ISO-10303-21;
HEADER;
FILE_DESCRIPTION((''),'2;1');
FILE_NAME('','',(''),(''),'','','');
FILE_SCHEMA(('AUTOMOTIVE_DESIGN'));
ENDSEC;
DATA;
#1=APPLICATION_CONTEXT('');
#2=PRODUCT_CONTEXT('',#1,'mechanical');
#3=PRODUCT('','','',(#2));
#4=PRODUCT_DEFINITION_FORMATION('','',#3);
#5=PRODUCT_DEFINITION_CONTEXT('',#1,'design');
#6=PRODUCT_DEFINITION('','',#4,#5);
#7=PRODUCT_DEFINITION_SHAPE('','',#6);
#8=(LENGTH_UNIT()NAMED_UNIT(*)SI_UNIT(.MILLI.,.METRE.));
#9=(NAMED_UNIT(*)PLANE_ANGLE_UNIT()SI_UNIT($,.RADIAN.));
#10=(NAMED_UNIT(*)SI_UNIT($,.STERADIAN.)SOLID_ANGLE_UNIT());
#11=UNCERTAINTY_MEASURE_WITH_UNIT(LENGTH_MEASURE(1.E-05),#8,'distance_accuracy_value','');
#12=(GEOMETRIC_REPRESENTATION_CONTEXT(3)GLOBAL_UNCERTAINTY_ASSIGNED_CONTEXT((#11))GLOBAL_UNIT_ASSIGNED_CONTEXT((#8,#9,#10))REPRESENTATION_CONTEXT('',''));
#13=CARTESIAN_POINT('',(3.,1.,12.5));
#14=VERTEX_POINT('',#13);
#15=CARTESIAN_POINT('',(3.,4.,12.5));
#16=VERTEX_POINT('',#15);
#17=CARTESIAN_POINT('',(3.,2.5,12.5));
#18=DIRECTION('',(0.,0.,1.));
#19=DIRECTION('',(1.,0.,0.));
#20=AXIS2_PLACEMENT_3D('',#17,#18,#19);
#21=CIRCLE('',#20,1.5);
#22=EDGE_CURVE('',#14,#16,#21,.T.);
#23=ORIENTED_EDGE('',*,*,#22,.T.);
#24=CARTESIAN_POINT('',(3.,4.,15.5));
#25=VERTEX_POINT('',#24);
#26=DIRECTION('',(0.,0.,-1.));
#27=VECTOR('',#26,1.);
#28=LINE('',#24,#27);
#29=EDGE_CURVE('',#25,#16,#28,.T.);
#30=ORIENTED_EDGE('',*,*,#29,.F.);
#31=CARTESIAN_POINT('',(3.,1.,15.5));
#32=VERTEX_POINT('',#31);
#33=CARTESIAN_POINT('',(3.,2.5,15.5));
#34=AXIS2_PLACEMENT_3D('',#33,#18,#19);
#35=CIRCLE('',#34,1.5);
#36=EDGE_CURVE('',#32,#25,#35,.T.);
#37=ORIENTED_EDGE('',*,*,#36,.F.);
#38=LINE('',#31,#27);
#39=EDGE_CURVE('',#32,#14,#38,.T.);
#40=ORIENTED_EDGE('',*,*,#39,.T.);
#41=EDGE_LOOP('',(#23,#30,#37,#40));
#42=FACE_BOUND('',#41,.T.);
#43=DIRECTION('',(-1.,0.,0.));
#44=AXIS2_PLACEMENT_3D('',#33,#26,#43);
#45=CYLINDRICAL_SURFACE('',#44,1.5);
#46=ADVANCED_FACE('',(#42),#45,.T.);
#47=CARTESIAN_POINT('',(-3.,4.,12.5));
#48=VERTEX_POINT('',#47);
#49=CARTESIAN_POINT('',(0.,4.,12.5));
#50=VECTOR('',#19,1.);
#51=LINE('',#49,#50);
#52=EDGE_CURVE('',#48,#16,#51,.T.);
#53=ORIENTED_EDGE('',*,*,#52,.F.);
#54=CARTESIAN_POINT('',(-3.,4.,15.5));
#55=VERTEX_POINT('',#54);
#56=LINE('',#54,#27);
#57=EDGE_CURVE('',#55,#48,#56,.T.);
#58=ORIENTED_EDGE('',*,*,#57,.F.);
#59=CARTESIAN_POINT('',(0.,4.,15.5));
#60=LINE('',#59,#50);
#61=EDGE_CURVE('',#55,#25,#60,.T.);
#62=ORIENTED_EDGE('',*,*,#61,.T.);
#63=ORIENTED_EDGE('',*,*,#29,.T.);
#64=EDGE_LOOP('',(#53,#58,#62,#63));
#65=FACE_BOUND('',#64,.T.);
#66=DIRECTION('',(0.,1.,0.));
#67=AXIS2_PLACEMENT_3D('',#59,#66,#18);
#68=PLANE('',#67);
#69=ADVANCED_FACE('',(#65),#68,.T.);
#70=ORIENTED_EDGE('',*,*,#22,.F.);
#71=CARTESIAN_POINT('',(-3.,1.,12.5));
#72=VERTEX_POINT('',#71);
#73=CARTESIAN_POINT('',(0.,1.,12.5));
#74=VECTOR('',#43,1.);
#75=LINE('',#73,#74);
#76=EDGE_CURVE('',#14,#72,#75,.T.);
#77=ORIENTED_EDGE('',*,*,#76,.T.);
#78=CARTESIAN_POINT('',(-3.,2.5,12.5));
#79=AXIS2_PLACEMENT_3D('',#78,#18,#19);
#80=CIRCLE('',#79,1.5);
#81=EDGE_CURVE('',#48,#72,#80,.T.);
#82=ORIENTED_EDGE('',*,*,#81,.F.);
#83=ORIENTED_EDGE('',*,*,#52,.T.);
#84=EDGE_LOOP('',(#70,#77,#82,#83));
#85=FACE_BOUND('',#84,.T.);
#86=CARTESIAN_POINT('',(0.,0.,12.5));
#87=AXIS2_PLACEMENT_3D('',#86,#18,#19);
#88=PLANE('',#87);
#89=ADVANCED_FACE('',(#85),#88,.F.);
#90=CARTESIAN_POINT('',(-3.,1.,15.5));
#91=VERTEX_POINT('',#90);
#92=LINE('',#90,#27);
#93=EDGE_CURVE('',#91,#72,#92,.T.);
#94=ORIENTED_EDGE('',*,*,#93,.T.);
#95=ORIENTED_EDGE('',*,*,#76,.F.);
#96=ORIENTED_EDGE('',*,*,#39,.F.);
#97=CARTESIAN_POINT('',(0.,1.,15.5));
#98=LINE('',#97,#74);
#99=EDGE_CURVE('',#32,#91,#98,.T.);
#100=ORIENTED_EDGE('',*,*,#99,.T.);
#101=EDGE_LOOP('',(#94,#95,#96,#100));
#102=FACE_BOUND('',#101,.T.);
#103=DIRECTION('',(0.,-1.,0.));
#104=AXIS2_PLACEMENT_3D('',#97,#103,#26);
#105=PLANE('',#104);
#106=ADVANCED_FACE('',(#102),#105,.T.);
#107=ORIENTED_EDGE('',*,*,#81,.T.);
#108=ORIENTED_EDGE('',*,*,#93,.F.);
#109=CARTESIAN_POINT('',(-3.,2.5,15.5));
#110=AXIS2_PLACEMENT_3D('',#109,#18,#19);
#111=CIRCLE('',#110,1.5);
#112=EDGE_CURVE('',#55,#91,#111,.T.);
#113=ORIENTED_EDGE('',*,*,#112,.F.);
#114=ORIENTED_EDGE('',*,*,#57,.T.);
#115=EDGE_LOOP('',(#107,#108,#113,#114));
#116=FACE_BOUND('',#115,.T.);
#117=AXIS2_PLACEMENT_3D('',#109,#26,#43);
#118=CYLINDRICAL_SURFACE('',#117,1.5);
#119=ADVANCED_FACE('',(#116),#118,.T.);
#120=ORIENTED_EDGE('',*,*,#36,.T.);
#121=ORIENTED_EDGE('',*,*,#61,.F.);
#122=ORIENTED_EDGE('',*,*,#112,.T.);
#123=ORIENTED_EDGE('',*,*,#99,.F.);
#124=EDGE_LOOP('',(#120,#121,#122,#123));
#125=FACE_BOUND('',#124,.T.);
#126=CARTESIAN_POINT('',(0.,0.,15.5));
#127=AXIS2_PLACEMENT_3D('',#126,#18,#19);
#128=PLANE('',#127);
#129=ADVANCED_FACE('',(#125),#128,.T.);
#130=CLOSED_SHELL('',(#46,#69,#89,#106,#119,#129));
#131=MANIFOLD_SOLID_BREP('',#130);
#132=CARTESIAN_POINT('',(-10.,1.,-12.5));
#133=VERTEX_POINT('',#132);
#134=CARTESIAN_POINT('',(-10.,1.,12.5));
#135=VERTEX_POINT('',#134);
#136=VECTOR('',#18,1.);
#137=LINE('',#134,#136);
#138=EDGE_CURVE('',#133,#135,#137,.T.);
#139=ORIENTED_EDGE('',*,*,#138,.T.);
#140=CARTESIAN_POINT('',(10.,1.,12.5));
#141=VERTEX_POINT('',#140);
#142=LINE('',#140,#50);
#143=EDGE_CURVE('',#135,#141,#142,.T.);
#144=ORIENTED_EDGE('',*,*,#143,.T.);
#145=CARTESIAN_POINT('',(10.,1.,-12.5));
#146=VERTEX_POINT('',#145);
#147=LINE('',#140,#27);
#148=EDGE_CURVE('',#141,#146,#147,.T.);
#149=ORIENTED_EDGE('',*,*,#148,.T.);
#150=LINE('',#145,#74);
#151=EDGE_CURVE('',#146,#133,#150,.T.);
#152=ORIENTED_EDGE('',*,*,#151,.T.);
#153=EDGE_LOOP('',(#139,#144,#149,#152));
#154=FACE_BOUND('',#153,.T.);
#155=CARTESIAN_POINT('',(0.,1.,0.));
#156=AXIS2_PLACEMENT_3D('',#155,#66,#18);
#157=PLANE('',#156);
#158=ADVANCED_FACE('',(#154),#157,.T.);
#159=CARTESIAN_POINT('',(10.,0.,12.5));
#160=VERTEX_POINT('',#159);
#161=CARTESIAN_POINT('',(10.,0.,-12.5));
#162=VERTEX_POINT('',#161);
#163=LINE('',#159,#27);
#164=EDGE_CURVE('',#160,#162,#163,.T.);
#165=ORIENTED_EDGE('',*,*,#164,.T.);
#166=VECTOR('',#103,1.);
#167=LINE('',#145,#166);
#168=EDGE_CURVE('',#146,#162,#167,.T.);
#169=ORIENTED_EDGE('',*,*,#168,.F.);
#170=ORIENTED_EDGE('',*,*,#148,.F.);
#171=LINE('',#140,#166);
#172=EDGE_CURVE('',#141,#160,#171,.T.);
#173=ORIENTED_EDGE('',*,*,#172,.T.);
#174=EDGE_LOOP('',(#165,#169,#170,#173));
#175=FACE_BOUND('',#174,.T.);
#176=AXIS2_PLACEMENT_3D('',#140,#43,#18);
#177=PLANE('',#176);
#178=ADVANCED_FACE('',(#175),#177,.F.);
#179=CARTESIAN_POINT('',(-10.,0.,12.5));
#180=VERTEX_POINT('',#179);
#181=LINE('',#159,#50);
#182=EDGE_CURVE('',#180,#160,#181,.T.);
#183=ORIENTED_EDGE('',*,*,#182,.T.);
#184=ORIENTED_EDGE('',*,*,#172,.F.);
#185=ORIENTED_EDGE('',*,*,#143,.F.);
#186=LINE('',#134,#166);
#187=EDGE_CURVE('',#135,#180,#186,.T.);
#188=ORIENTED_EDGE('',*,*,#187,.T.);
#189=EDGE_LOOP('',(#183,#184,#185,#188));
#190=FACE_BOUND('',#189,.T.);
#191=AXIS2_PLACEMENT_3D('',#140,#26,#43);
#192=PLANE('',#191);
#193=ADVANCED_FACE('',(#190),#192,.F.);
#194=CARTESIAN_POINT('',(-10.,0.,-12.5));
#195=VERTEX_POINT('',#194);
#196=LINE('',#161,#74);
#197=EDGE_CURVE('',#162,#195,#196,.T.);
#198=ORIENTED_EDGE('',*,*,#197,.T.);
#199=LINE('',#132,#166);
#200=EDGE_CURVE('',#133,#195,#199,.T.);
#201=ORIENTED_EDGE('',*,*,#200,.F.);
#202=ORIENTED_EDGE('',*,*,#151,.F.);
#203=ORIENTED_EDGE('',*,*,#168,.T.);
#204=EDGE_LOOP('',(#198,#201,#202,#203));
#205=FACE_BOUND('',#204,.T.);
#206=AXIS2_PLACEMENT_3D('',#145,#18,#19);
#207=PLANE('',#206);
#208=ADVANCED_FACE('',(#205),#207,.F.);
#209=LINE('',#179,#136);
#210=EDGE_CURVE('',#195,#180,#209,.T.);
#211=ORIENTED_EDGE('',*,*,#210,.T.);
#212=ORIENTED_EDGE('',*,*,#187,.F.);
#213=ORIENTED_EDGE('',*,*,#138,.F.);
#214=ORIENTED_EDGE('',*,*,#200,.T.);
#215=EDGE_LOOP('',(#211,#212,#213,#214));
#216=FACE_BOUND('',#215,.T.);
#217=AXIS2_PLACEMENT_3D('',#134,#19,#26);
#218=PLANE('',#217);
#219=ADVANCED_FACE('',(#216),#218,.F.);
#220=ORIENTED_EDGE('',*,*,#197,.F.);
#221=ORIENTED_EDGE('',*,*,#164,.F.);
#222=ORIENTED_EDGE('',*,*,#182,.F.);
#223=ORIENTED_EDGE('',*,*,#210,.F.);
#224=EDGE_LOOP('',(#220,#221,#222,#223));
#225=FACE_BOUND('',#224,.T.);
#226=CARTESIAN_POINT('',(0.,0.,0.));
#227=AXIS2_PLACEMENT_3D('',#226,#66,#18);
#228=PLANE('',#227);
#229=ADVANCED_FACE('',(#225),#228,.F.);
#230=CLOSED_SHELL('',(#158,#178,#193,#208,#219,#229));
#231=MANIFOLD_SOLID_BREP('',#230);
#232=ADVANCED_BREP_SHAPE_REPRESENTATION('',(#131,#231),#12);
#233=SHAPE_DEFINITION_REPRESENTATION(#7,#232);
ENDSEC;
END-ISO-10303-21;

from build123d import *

# Parameters (mm, degrees)
SKETCH1_W           = 20
SKETCH1_H           = 25
BOSS_EXTRUDE1_DEPTH = 1
BOSS_EXTRUDE2_DEPTH = 3


with BuildPart() as part:
    # Sketch1 → Boss-Extrude1 (new body)
    with BuildSketch(Plane(origin=(0, 0, 0), x_dir=(1, 0, 0), z_dir=(0, 1, 0))):
        Rectangle(SKETCH1_W, SKETCH1_H)
    extrude(amount=BOSS_EXTRUDE1_DEPTH)


with BuildPart() as body_2:
    # Sketch2 → Boss-Extrude2 (new body)
    with BuildSketch(Plane.XY.offset(12.5)):
        with BuildLine():
            Line((-3, 1), (3, 1))
            ThreePointArc((3, 1), (4.5, 2.5), (3, 4))
            Line((3, 4), (-3, 4))
            ThreePointArc((-3, 4), (-4.5, 2.5), (-3, 1))
        make_face()
    extrude(amount=BOSS_EXTRUDE2_DEPTH)


solid = Compound([part.part, body_2.part])
